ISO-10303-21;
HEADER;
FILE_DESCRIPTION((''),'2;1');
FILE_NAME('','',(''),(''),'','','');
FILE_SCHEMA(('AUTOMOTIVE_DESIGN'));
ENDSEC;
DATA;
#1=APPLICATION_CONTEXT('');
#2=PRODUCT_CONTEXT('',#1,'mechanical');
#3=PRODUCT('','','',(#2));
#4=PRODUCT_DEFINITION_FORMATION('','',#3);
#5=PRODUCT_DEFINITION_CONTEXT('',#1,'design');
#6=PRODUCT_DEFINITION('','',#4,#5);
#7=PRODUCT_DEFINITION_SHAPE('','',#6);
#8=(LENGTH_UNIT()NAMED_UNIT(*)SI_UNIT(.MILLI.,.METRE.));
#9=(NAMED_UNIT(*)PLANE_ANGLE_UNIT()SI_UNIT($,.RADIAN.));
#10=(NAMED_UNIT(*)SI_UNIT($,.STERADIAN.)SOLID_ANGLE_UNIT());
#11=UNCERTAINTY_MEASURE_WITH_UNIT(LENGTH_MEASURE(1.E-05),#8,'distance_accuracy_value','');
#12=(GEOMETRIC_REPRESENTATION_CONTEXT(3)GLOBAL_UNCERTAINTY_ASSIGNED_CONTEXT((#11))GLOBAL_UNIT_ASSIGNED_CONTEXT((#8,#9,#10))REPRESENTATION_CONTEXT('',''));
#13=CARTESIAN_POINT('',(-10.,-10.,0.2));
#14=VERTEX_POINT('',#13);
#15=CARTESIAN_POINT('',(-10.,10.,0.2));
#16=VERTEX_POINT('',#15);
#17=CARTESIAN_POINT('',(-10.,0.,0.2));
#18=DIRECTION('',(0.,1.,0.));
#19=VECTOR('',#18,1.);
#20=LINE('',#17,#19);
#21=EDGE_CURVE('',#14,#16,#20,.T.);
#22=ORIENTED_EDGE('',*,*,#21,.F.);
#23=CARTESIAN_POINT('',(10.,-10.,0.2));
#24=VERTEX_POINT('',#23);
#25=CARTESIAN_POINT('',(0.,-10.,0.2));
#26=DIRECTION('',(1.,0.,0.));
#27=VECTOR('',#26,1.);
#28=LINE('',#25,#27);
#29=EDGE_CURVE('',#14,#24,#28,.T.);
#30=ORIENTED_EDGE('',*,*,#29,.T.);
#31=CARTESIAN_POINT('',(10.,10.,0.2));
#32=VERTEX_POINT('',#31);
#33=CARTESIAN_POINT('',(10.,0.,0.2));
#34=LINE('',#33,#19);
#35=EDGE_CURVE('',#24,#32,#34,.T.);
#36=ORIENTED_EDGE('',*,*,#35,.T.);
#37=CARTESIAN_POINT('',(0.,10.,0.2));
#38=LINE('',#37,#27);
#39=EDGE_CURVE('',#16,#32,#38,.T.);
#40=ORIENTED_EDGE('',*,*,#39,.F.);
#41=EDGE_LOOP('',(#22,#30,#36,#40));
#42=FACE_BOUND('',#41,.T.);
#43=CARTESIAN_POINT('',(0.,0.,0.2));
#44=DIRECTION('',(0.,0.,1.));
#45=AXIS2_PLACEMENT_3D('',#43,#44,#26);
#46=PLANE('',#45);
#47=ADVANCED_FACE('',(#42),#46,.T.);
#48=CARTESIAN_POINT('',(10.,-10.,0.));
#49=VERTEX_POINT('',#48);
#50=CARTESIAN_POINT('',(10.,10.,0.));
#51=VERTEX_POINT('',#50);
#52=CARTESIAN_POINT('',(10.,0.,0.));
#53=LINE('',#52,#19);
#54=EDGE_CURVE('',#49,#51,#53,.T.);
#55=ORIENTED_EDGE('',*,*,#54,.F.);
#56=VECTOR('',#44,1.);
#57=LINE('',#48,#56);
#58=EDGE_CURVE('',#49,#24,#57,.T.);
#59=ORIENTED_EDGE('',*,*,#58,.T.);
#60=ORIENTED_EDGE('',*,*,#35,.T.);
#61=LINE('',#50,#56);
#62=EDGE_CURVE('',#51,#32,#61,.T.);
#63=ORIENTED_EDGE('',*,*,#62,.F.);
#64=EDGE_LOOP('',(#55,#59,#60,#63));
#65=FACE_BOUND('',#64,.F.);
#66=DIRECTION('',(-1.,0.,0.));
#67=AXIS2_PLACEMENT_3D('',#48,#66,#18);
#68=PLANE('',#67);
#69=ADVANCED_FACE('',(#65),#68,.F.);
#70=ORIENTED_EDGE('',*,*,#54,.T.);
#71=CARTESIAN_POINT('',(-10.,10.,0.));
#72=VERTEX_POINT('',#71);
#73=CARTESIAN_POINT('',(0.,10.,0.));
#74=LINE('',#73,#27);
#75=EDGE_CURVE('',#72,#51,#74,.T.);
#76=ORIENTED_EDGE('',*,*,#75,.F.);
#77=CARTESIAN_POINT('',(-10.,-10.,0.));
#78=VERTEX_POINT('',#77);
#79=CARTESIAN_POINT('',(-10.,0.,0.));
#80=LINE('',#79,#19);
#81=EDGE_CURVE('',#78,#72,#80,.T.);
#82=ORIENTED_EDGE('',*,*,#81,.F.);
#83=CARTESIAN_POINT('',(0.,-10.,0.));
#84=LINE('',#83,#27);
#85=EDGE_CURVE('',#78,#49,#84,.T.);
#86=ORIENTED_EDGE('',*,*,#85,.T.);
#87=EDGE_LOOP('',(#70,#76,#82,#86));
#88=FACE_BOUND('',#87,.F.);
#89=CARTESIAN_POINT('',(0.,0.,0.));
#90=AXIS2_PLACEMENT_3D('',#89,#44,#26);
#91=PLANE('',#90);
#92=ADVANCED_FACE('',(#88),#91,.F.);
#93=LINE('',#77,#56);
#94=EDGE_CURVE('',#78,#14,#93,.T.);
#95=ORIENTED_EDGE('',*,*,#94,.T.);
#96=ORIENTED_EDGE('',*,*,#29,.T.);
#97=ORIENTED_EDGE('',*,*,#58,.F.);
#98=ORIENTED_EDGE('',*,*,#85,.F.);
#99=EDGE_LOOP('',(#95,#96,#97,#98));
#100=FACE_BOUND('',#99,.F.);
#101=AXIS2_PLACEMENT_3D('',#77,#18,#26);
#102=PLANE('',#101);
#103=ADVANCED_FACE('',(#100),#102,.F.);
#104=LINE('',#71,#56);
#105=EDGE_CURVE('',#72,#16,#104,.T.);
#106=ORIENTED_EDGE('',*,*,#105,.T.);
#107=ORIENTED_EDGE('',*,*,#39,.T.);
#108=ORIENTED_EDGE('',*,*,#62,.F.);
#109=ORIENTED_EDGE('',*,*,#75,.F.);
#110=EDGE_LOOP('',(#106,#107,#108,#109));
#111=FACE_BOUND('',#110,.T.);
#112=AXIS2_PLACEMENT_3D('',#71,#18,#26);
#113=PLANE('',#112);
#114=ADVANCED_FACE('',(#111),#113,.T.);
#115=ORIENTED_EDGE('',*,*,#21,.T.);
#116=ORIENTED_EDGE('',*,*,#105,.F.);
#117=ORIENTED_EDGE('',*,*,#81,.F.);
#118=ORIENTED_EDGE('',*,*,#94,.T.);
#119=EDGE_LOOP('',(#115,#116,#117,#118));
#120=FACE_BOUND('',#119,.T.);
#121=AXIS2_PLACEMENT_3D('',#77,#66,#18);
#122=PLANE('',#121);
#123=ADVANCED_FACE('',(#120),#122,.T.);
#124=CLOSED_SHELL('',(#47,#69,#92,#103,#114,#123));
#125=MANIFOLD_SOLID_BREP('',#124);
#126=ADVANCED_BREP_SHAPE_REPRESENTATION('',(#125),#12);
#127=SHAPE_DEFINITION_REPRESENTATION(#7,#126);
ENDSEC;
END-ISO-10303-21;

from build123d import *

# Parameters (mm, degrees)
SKETCH_W  = 20
SKETCH_H  = 20
PAD_DEPTH = 0.2


with BuildPart() as part:
    # Sketch → Pad (new body)
    with BuildSketch(Plane.XY):
        Rectangle(SKETCH_W, SKETCH_H)
    extrude(amount=PAD_DEPTH)


solid = part.part
